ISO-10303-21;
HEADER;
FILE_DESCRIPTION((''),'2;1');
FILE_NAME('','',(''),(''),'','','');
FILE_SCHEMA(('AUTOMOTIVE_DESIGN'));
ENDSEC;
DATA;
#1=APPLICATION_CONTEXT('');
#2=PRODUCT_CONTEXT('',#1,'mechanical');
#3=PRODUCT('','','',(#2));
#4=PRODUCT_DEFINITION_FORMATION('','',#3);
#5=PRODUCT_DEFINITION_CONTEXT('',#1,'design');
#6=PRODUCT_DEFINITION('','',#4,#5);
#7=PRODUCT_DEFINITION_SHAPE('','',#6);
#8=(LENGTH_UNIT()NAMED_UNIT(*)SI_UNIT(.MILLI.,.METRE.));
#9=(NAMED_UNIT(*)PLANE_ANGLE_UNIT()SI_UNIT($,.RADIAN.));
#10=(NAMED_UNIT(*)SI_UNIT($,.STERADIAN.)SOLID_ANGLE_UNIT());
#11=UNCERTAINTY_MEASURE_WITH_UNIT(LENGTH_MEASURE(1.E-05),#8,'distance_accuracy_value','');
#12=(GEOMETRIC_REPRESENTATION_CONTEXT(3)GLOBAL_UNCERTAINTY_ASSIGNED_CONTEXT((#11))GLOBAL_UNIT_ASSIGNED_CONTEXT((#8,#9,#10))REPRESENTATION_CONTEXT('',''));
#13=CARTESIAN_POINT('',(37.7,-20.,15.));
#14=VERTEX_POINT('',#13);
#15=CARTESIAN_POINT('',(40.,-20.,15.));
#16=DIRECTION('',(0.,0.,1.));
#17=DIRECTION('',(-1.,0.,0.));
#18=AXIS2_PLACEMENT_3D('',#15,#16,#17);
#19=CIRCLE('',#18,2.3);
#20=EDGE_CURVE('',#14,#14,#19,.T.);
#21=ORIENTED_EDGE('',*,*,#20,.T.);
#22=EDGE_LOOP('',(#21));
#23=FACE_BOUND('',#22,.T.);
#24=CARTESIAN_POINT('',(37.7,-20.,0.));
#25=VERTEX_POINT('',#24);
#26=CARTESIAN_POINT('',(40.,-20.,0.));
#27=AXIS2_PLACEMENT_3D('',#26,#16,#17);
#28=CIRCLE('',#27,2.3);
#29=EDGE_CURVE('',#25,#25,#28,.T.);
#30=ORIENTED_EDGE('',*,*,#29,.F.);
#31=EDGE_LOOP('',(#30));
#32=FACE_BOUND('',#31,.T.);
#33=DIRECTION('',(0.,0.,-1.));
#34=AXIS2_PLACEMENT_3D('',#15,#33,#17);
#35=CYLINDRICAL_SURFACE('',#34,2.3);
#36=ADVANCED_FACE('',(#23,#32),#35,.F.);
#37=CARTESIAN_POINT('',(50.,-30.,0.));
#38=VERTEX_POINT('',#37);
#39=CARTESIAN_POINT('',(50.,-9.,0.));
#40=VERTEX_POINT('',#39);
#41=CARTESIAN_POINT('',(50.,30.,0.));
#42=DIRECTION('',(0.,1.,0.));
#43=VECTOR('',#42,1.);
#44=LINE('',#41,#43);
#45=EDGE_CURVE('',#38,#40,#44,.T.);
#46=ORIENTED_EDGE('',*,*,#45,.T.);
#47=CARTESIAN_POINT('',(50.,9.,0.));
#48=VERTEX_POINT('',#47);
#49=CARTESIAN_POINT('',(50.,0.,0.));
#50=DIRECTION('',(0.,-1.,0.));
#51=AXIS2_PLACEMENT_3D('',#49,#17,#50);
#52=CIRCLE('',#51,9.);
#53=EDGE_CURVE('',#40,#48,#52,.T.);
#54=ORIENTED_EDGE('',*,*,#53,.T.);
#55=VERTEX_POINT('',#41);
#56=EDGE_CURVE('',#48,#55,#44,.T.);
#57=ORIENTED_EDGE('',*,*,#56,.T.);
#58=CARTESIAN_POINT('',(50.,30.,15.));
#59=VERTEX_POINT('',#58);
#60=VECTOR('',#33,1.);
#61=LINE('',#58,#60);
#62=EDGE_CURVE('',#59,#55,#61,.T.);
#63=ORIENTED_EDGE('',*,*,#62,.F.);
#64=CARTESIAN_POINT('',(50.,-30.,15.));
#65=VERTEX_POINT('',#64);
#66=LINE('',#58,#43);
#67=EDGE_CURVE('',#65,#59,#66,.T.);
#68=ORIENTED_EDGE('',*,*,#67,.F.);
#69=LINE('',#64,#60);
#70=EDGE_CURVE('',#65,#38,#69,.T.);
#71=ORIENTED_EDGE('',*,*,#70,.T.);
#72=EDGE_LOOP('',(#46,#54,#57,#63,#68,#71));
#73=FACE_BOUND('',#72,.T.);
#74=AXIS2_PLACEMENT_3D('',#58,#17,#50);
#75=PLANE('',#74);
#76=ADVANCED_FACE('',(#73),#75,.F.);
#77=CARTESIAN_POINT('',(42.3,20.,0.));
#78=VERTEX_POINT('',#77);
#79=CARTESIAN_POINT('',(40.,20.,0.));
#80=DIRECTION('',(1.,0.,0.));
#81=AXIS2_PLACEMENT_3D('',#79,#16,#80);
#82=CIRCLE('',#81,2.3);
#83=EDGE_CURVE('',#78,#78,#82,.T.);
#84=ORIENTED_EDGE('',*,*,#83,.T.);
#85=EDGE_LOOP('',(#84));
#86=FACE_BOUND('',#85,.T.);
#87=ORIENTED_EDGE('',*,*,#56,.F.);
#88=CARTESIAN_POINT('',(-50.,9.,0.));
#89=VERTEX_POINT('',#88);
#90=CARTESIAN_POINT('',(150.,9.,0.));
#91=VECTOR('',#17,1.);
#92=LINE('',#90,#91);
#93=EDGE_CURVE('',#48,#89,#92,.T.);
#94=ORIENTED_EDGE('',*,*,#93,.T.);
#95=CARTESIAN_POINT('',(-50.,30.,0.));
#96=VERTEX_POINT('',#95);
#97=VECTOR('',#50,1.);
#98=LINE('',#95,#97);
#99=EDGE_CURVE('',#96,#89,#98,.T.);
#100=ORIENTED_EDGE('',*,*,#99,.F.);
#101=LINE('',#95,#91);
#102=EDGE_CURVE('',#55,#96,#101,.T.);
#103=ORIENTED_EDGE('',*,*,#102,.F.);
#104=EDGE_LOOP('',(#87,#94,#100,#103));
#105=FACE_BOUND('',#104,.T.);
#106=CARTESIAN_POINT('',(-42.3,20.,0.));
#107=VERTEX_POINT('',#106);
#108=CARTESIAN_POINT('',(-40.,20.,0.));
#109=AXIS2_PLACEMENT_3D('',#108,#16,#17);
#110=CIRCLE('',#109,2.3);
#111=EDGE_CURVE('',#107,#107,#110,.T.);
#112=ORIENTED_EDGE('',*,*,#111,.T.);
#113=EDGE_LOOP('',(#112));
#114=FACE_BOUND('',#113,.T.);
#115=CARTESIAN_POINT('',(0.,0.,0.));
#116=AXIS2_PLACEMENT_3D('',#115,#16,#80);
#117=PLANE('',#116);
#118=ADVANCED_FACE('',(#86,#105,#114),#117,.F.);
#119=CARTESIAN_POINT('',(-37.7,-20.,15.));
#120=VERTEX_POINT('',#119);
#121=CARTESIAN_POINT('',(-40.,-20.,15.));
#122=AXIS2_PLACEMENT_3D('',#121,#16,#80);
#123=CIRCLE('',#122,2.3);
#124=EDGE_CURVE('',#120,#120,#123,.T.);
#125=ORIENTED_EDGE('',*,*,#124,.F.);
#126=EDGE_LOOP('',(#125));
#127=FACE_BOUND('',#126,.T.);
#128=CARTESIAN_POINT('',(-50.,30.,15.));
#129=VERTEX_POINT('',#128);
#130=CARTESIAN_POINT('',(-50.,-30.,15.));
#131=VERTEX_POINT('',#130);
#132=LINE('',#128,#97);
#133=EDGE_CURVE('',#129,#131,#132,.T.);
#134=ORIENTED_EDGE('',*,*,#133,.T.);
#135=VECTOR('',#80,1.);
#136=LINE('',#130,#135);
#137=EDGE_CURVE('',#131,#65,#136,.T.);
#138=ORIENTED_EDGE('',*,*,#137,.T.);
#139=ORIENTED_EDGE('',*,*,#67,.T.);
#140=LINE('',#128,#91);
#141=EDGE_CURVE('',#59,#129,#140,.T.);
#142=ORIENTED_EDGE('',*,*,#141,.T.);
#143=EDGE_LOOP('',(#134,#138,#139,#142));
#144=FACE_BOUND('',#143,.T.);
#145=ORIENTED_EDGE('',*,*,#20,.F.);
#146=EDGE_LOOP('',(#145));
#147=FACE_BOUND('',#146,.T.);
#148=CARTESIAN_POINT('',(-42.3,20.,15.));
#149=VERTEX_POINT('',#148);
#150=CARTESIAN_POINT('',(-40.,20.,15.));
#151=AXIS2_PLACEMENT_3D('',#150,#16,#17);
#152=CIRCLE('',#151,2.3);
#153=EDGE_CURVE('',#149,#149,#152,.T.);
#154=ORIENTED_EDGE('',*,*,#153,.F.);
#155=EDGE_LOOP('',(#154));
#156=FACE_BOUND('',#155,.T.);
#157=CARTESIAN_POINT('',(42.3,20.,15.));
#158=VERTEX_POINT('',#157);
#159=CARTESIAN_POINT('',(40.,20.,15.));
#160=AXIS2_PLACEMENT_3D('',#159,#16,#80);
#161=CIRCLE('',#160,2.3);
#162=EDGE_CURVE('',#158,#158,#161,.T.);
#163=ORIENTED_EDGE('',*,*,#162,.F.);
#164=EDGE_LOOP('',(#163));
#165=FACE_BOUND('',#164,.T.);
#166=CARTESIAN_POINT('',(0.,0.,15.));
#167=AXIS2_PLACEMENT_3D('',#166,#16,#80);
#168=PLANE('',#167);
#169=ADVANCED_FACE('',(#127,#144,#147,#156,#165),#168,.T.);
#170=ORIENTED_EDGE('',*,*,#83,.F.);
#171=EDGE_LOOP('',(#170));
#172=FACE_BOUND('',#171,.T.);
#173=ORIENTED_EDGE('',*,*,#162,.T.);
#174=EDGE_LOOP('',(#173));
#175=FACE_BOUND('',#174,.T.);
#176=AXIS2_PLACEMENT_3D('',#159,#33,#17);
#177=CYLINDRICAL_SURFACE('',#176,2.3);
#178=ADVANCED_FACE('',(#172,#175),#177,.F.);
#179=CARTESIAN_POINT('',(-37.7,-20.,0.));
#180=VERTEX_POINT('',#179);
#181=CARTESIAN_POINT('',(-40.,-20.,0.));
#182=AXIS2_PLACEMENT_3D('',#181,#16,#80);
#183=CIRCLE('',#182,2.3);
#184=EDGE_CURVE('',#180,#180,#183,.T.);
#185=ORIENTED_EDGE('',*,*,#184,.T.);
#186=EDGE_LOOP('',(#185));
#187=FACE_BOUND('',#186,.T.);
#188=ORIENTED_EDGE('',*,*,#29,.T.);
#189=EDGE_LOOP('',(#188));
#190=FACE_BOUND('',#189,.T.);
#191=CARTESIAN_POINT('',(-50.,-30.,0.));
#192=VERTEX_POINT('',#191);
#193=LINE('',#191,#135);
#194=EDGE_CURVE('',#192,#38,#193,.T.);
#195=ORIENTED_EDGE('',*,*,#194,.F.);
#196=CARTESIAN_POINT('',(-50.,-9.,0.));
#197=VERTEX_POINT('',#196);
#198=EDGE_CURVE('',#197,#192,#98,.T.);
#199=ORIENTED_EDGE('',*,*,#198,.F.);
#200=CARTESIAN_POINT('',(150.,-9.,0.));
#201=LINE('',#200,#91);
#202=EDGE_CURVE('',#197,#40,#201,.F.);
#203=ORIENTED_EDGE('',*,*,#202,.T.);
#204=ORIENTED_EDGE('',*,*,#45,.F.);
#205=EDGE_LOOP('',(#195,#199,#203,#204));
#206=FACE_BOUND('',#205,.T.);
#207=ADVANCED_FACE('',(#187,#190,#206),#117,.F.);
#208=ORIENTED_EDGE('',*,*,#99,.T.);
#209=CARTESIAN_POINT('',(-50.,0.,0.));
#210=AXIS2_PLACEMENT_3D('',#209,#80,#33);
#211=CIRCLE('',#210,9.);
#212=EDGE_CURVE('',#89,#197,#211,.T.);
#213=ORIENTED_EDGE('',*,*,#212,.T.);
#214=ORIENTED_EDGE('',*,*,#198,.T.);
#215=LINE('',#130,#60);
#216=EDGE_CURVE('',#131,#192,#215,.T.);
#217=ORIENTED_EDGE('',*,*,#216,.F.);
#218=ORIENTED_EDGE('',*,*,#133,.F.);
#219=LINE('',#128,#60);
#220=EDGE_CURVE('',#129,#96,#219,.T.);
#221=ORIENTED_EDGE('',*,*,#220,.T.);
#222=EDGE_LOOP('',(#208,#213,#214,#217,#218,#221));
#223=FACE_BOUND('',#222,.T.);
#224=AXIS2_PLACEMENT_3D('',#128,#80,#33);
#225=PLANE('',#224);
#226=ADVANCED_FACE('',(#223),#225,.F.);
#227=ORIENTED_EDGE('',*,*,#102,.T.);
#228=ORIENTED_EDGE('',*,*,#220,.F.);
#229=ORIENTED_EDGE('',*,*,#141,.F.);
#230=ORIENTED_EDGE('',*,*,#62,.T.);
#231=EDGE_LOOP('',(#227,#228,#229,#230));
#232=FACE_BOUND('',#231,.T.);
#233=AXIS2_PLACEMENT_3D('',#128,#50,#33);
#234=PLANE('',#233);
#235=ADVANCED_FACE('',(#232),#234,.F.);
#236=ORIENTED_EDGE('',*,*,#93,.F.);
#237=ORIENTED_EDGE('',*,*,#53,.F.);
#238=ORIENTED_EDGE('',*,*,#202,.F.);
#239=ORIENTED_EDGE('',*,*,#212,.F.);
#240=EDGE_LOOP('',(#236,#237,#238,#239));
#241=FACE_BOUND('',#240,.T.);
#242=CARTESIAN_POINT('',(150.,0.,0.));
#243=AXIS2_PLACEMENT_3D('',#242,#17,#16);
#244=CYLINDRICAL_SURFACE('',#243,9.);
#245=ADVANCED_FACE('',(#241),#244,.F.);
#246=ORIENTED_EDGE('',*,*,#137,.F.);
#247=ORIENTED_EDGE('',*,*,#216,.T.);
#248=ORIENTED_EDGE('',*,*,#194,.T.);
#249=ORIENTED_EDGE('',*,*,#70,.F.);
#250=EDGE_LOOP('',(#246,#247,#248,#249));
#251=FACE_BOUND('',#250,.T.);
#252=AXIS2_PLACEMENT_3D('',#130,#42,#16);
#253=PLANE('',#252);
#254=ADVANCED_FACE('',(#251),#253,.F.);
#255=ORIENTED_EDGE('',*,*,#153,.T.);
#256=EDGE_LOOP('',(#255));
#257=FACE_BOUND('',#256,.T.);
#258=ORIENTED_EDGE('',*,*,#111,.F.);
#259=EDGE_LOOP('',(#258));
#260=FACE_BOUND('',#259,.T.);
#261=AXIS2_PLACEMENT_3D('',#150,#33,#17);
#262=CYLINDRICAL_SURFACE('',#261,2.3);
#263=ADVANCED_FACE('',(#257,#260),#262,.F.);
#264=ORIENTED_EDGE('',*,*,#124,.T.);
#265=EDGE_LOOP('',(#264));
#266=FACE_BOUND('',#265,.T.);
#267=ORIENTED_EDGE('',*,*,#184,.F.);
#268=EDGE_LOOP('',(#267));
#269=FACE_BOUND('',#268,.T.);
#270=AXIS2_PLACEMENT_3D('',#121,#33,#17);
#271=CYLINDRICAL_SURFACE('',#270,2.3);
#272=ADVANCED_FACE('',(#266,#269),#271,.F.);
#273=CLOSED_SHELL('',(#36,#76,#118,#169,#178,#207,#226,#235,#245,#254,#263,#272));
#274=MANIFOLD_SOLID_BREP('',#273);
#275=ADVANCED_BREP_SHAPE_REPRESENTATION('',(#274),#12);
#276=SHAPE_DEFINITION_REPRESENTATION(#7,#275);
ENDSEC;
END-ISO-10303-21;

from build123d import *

# Parameters (mm, degrees)
SKETCH1_W           = 100
SKETCH1_H           = 60
SKETCH1_R           = 2.3
BOSS_EXTRUDE1_DEPTH = 15
SKETCH2_R           = 9
CUT_EXTRUDE1_DEPTH  = 200


with BuildPart() as part:
    # Sketch1 → Boss-Extrude1 (new body)
    with BuildSketch(Plane.XY):
        Rectangle(SKETCH1_W, SKETCH1_H)
        with Locations((-40, -20)):
            Circle(SKETCH1_R, mode=Mode.SUBTRACT)
        with Locations(Location((40, -20, 0), (0, 0, 180))):
            Circle(SKETCH1_R, mode=Mode.SUBTRACT)
        with Locations((40, 20)):
            Circle(SKETCH1_R, mode=Mode.SUBTRACT)
        with Locations(Location((-40, 20, 0), (0, 0, 180))):
            Circle(SKETCH1_R, mode=Mode.SUBTRACT)
    extrude(amount=BOSS_EXTRUDE1_DEPTH)

    # Sketch2 → Cut-Extrude1 (cut, symmetric)
    with BuildSketch(Plane.ZY.offset(50)):
        Circle(SKETCH2_R)
    extrude(amount=CUT_EXTRUDE1_DEPTH, both=True, mode=Mode.SUBTRACT)


solid = part.part
